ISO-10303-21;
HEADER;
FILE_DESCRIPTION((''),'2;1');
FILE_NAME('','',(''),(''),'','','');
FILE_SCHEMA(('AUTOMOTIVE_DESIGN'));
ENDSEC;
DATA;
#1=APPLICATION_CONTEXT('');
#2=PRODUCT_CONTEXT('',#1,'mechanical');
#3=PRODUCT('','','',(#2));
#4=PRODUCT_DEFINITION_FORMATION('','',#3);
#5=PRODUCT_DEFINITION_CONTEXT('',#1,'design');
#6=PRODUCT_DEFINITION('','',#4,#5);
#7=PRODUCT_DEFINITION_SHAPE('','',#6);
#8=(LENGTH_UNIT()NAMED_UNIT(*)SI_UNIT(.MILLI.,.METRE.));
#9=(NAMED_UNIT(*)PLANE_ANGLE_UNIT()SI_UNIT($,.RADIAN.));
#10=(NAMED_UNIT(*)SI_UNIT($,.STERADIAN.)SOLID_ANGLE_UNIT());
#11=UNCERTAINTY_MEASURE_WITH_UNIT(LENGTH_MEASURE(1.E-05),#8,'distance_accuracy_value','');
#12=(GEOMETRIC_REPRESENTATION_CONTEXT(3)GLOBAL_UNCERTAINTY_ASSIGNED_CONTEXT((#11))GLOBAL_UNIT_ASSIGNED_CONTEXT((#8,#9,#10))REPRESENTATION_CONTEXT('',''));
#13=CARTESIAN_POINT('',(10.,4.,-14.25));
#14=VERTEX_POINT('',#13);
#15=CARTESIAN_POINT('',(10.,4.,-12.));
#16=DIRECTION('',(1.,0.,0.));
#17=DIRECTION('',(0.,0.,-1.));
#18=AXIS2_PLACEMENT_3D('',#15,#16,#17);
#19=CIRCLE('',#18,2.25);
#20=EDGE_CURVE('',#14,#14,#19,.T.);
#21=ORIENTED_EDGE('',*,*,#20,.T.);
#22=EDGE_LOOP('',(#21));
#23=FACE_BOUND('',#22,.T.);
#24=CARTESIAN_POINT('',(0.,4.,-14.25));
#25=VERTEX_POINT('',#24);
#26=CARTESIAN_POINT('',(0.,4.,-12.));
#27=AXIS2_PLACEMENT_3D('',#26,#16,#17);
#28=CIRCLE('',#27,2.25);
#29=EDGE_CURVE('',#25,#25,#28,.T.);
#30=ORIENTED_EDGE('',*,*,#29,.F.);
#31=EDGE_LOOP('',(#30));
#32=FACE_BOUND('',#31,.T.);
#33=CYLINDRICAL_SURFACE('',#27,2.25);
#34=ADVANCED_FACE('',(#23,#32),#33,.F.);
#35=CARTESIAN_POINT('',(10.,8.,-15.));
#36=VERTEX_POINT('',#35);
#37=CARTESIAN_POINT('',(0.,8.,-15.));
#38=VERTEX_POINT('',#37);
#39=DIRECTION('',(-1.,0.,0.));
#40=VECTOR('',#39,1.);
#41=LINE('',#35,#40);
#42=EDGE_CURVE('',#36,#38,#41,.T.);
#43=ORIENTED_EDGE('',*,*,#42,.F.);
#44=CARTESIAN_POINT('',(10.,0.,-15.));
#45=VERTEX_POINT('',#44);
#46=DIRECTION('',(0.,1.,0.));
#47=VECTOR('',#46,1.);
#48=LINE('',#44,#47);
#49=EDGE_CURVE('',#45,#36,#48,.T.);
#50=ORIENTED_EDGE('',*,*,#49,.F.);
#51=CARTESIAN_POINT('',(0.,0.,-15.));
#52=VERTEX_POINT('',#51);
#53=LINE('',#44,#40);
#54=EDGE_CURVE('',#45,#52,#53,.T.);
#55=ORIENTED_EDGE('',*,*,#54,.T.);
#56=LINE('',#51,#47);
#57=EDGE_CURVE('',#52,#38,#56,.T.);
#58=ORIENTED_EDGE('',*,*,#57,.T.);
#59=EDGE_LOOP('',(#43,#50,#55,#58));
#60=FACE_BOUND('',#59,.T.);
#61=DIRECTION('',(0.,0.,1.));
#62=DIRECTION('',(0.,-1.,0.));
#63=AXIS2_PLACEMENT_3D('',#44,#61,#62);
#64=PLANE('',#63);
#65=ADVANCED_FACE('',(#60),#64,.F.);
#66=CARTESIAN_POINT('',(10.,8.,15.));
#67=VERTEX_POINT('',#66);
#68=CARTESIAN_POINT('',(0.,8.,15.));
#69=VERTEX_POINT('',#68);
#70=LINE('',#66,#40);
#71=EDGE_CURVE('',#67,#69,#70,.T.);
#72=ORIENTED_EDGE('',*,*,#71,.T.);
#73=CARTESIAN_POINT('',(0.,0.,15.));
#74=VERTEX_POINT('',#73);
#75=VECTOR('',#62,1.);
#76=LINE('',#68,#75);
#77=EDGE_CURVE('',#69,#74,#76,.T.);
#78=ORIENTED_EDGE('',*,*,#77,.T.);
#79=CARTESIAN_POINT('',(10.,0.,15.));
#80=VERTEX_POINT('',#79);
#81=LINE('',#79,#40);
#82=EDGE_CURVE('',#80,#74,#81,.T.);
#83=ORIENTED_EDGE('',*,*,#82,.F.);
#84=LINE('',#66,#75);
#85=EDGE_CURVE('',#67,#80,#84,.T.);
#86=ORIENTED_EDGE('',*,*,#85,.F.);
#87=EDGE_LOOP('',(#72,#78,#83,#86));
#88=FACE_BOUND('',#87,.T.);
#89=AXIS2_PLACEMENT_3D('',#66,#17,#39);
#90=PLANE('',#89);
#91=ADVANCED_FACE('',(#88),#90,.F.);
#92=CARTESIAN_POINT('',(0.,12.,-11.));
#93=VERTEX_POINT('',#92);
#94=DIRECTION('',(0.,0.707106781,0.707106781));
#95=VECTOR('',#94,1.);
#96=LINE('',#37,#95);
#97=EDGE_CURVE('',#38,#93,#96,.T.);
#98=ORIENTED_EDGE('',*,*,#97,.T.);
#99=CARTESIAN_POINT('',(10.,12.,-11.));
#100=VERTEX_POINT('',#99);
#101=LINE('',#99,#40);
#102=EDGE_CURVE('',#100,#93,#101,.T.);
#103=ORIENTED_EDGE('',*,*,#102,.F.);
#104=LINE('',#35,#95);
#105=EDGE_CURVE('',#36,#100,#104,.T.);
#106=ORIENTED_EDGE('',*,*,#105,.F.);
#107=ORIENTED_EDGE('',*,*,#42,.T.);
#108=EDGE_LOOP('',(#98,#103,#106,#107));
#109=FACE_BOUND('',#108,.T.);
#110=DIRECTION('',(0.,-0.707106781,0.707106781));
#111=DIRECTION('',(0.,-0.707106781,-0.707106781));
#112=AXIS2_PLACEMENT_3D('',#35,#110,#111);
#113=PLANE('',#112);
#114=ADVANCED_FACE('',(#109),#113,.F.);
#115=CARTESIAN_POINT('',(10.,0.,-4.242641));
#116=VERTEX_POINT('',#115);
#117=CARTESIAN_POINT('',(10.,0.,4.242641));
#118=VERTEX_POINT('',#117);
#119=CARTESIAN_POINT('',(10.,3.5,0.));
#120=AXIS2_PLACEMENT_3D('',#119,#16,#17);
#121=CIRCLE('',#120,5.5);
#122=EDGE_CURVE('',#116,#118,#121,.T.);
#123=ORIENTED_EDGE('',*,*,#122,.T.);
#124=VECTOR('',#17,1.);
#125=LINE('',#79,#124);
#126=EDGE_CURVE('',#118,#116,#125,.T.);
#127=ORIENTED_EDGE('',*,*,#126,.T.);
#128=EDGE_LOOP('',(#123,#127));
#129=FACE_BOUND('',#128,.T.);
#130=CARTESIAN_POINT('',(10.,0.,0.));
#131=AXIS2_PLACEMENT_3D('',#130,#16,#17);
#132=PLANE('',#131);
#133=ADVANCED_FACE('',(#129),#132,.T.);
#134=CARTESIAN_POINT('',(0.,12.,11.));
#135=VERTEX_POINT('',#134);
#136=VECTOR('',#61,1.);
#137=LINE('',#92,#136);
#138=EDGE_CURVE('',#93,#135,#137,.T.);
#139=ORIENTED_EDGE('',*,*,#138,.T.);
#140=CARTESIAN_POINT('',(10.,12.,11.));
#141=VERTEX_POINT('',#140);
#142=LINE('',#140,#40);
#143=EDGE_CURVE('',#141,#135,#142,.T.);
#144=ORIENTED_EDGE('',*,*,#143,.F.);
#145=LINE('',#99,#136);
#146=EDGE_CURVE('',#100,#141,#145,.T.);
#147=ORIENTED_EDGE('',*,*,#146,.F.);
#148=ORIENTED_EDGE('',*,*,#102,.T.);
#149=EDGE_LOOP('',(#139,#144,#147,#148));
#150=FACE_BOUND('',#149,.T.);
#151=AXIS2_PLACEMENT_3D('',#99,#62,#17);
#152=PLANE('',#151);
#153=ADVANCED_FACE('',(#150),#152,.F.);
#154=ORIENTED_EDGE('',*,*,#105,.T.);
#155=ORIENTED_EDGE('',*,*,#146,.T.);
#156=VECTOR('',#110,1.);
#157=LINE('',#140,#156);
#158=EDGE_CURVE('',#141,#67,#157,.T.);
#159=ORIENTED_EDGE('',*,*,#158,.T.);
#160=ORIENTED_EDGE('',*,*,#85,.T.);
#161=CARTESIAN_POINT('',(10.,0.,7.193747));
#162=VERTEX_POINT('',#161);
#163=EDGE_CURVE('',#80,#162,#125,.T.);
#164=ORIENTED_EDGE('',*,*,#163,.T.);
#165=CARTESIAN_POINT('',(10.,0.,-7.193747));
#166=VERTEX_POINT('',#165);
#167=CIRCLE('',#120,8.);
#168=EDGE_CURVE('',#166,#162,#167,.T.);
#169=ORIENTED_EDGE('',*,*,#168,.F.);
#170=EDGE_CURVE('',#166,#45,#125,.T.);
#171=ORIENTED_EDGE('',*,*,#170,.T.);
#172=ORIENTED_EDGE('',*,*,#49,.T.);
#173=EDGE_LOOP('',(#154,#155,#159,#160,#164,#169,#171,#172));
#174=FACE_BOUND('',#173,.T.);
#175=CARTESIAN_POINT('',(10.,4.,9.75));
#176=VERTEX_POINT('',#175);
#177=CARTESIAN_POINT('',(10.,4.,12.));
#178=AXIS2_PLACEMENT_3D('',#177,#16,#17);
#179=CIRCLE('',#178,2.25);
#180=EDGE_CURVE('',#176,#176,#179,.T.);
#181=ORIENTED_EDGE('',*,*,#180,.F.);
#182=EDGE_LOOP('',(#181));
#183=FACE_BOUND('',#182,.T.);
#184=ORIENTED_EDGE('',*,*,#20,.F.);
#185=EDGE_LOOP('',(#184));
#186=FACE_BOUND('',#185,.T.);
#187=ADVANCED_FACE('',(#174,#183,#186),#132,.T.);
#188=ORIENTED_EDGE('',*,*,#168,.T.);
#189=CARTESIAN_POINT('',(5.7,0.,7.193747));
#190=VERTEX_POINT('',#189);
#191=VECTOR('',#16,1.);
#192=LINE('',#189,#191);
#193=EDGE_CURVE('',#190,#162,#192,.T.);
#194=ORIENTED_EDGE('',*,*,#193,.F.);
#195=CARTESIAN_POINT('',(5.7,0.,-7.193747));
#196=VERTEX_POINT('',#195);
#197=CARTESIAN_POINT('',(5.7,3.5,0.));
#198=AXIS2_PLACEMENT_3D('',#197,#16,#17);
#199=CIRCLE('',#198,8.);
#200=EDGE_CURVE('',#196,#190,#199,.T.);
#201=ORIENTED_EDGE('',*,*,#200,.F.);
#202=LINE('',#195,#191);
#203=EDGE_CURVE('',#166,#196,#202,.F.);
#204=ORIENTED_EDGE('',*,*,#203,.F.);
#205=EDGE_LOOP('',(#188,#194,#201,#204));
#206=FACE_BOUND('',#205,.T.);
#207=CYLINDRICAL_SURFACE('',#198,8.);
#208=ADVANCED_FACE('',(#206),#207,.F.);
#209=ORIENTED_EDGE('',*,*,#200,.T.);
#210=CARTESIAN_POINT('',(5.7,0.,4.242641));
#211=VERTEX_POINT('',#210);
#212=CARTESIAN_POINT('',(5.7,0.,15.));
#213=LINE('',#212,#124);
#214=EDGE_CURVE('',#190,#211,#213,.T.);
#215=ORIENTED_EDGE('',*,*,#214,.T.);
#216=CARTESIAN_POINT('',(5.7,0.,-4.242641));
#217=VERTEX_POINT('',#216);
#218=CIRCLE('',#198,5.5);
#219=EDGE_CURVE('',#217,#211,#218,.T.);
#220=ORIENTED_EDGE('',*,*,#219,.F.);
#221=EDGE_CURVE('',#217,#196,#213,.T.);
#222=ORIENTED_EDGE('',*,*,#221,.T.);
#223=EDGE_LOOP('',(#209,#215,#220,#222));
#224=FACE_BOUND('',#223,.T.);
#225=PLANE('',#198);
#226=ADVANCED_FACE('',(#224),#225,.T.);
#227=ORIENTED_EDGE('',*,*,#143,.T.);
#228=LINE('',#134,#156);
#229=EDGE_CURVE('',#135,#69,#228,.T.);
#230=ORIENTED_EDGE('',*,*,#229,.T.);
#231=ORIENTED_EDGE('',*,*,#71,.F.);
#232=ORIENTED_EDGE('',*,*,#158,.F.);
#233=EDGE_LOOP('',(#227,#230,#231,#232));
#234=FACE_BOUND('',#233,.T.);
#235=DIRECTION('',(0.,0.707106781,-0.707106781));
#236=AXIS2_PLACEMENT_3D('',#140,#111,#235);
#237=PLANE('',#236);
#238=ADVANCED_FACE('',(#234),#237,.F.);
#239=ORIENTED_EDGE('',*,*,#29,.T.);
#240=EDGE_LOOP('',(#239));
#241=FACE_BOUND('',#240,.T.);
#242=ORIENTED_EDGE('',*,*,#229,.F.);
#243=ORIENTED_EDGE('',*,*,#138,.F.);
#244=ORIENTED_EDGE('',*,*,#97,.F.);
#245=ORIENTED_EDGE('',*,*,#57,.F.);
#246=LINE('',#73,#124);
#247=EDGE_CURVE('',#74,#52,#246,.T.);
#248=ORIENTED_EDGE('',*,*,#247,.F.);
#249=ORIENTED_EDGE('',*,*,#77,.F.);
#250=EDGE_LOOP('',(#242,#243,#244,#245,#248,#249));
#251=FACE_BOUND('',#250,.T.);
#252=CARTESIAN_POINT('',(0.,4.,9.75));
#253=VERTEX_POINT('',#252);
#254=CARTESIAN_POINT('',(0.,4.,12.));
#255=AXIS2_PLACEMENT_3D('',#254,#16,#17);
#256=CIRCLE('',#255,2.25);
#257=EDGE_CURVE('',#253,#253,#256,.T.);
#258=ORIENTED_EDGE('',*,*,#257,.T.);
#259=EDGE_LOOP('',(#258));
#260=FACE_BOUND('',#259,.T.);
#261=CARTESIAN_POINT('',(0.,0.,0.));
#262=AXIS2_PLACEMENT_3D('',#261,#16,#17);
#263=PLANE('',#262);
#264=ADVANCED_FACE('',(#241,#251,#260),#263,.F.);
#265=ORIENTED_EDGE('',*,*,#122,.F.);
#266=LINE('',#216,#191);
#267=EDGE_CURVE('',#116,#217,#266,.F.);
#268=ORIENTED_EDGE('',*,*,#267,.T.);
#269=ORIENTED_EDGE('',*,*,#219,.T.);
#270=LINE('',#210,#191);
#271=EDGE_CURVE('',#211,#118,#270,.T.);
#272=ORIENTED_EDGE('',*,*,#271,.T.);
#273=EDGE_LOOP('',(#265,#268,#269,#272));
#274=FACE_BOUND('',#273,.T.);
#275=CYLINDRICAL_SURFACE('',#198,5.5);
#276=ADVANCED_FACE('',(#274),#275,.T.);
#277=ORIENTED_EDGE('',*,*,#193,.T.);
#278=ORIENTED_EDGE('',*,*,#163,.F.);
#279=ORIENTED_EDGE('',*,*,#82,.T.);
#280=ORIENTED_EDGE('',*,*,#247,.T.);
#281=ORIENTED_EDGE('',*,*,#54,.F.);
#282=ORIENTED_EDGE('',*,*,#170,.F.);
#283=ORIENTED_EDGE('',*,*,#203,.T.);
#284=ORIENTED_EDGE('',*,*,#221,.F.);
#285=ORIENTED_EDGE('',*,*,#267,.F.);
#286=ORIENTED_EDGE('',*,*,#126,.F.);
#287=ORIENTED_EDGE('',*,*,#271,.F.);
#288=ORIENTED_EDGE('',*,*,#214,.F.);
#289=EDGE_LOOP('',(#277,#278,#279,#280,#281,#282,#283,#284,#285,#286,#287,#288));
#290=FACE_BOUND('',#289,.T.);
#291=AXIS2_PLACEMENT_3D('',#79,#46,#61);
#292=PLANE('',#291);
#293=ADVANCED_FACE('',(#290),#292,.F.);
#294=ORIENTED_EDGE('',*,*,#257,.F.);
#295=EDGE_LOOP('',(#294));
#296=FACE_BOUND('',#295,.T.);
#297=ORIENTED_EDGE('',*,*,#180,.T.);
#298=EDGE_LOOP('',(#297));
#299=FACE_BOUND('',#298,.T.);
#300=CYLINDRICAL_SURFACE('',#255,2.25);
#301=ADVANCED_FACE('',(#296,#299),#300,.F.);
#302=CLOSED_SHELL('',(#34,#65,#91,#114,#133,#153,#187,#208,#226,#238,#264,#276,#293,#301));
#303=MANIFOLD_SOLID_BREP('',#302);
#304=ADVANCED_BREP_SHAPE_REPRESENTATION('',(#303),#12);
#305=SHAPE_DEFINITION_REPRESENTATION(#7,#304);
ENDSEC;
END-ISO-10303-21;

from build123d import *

# Parameters (mm, degrees)
BOSS_EXTRUDE1_DEPTH = 10
SKETCH2_R           = 8
SKETCH2_R_2         = 5.5
CUT_EXTRUDE2_DEPTH  = 4.3
SKETCH3_R           = 2.25
CUT_EXTRUDE3_DEPTH  = 22.656407828


with BuildPart() as part:
    # Sketch1 → Boss-Extrude1 (new body)
    with BuildSketch(Plane(origin=(0, 0, 0), x_dir=(0, 0, -1), z_dir=(1, 0, 0))):
        Polygon((-15, 0), (15, 0), (15, 8), (11, 12), (-11, 12), (-15, 8), align=None)
    extrude(amount=BOSS_EXTRUDE1_DEPTH)

    # Sketch2 → Cut-Extrude2 (cut)
    with BuildSketch(Plane(origin=(10, 0, 0), x_dir=(0, 0, -1), z_dir=(1, 0, 0))):
        with Locations((0, 3.5)):
            Circle(SKETCH2_R)
        with Locations((0, 3.5)):
            Circle(SKETCH2_R_2, mode=Mode.SUBTRACT)
    extrude(amount=-CUT_EXTRUDE2_DEPTH, mode=Mode.SUBTRACT)

    # Sketch3 → Cut-Extrude3 (cut, through all)
    with BuildSketch(Plane(origin=(10, 0, 0), x_dir=(0, 0, -1), z_dir=(1, 0, 0))):
        with Locations((-12, 4)):
            Circle(SKETCH3_R)
        with Locations((12, 4)):
            Circle(SKETCH3_R)
    extrude(amount=-CUT_EXTRUDE3_DEPTH, mode=Mode.SUBTRACT)


solid = part.part
